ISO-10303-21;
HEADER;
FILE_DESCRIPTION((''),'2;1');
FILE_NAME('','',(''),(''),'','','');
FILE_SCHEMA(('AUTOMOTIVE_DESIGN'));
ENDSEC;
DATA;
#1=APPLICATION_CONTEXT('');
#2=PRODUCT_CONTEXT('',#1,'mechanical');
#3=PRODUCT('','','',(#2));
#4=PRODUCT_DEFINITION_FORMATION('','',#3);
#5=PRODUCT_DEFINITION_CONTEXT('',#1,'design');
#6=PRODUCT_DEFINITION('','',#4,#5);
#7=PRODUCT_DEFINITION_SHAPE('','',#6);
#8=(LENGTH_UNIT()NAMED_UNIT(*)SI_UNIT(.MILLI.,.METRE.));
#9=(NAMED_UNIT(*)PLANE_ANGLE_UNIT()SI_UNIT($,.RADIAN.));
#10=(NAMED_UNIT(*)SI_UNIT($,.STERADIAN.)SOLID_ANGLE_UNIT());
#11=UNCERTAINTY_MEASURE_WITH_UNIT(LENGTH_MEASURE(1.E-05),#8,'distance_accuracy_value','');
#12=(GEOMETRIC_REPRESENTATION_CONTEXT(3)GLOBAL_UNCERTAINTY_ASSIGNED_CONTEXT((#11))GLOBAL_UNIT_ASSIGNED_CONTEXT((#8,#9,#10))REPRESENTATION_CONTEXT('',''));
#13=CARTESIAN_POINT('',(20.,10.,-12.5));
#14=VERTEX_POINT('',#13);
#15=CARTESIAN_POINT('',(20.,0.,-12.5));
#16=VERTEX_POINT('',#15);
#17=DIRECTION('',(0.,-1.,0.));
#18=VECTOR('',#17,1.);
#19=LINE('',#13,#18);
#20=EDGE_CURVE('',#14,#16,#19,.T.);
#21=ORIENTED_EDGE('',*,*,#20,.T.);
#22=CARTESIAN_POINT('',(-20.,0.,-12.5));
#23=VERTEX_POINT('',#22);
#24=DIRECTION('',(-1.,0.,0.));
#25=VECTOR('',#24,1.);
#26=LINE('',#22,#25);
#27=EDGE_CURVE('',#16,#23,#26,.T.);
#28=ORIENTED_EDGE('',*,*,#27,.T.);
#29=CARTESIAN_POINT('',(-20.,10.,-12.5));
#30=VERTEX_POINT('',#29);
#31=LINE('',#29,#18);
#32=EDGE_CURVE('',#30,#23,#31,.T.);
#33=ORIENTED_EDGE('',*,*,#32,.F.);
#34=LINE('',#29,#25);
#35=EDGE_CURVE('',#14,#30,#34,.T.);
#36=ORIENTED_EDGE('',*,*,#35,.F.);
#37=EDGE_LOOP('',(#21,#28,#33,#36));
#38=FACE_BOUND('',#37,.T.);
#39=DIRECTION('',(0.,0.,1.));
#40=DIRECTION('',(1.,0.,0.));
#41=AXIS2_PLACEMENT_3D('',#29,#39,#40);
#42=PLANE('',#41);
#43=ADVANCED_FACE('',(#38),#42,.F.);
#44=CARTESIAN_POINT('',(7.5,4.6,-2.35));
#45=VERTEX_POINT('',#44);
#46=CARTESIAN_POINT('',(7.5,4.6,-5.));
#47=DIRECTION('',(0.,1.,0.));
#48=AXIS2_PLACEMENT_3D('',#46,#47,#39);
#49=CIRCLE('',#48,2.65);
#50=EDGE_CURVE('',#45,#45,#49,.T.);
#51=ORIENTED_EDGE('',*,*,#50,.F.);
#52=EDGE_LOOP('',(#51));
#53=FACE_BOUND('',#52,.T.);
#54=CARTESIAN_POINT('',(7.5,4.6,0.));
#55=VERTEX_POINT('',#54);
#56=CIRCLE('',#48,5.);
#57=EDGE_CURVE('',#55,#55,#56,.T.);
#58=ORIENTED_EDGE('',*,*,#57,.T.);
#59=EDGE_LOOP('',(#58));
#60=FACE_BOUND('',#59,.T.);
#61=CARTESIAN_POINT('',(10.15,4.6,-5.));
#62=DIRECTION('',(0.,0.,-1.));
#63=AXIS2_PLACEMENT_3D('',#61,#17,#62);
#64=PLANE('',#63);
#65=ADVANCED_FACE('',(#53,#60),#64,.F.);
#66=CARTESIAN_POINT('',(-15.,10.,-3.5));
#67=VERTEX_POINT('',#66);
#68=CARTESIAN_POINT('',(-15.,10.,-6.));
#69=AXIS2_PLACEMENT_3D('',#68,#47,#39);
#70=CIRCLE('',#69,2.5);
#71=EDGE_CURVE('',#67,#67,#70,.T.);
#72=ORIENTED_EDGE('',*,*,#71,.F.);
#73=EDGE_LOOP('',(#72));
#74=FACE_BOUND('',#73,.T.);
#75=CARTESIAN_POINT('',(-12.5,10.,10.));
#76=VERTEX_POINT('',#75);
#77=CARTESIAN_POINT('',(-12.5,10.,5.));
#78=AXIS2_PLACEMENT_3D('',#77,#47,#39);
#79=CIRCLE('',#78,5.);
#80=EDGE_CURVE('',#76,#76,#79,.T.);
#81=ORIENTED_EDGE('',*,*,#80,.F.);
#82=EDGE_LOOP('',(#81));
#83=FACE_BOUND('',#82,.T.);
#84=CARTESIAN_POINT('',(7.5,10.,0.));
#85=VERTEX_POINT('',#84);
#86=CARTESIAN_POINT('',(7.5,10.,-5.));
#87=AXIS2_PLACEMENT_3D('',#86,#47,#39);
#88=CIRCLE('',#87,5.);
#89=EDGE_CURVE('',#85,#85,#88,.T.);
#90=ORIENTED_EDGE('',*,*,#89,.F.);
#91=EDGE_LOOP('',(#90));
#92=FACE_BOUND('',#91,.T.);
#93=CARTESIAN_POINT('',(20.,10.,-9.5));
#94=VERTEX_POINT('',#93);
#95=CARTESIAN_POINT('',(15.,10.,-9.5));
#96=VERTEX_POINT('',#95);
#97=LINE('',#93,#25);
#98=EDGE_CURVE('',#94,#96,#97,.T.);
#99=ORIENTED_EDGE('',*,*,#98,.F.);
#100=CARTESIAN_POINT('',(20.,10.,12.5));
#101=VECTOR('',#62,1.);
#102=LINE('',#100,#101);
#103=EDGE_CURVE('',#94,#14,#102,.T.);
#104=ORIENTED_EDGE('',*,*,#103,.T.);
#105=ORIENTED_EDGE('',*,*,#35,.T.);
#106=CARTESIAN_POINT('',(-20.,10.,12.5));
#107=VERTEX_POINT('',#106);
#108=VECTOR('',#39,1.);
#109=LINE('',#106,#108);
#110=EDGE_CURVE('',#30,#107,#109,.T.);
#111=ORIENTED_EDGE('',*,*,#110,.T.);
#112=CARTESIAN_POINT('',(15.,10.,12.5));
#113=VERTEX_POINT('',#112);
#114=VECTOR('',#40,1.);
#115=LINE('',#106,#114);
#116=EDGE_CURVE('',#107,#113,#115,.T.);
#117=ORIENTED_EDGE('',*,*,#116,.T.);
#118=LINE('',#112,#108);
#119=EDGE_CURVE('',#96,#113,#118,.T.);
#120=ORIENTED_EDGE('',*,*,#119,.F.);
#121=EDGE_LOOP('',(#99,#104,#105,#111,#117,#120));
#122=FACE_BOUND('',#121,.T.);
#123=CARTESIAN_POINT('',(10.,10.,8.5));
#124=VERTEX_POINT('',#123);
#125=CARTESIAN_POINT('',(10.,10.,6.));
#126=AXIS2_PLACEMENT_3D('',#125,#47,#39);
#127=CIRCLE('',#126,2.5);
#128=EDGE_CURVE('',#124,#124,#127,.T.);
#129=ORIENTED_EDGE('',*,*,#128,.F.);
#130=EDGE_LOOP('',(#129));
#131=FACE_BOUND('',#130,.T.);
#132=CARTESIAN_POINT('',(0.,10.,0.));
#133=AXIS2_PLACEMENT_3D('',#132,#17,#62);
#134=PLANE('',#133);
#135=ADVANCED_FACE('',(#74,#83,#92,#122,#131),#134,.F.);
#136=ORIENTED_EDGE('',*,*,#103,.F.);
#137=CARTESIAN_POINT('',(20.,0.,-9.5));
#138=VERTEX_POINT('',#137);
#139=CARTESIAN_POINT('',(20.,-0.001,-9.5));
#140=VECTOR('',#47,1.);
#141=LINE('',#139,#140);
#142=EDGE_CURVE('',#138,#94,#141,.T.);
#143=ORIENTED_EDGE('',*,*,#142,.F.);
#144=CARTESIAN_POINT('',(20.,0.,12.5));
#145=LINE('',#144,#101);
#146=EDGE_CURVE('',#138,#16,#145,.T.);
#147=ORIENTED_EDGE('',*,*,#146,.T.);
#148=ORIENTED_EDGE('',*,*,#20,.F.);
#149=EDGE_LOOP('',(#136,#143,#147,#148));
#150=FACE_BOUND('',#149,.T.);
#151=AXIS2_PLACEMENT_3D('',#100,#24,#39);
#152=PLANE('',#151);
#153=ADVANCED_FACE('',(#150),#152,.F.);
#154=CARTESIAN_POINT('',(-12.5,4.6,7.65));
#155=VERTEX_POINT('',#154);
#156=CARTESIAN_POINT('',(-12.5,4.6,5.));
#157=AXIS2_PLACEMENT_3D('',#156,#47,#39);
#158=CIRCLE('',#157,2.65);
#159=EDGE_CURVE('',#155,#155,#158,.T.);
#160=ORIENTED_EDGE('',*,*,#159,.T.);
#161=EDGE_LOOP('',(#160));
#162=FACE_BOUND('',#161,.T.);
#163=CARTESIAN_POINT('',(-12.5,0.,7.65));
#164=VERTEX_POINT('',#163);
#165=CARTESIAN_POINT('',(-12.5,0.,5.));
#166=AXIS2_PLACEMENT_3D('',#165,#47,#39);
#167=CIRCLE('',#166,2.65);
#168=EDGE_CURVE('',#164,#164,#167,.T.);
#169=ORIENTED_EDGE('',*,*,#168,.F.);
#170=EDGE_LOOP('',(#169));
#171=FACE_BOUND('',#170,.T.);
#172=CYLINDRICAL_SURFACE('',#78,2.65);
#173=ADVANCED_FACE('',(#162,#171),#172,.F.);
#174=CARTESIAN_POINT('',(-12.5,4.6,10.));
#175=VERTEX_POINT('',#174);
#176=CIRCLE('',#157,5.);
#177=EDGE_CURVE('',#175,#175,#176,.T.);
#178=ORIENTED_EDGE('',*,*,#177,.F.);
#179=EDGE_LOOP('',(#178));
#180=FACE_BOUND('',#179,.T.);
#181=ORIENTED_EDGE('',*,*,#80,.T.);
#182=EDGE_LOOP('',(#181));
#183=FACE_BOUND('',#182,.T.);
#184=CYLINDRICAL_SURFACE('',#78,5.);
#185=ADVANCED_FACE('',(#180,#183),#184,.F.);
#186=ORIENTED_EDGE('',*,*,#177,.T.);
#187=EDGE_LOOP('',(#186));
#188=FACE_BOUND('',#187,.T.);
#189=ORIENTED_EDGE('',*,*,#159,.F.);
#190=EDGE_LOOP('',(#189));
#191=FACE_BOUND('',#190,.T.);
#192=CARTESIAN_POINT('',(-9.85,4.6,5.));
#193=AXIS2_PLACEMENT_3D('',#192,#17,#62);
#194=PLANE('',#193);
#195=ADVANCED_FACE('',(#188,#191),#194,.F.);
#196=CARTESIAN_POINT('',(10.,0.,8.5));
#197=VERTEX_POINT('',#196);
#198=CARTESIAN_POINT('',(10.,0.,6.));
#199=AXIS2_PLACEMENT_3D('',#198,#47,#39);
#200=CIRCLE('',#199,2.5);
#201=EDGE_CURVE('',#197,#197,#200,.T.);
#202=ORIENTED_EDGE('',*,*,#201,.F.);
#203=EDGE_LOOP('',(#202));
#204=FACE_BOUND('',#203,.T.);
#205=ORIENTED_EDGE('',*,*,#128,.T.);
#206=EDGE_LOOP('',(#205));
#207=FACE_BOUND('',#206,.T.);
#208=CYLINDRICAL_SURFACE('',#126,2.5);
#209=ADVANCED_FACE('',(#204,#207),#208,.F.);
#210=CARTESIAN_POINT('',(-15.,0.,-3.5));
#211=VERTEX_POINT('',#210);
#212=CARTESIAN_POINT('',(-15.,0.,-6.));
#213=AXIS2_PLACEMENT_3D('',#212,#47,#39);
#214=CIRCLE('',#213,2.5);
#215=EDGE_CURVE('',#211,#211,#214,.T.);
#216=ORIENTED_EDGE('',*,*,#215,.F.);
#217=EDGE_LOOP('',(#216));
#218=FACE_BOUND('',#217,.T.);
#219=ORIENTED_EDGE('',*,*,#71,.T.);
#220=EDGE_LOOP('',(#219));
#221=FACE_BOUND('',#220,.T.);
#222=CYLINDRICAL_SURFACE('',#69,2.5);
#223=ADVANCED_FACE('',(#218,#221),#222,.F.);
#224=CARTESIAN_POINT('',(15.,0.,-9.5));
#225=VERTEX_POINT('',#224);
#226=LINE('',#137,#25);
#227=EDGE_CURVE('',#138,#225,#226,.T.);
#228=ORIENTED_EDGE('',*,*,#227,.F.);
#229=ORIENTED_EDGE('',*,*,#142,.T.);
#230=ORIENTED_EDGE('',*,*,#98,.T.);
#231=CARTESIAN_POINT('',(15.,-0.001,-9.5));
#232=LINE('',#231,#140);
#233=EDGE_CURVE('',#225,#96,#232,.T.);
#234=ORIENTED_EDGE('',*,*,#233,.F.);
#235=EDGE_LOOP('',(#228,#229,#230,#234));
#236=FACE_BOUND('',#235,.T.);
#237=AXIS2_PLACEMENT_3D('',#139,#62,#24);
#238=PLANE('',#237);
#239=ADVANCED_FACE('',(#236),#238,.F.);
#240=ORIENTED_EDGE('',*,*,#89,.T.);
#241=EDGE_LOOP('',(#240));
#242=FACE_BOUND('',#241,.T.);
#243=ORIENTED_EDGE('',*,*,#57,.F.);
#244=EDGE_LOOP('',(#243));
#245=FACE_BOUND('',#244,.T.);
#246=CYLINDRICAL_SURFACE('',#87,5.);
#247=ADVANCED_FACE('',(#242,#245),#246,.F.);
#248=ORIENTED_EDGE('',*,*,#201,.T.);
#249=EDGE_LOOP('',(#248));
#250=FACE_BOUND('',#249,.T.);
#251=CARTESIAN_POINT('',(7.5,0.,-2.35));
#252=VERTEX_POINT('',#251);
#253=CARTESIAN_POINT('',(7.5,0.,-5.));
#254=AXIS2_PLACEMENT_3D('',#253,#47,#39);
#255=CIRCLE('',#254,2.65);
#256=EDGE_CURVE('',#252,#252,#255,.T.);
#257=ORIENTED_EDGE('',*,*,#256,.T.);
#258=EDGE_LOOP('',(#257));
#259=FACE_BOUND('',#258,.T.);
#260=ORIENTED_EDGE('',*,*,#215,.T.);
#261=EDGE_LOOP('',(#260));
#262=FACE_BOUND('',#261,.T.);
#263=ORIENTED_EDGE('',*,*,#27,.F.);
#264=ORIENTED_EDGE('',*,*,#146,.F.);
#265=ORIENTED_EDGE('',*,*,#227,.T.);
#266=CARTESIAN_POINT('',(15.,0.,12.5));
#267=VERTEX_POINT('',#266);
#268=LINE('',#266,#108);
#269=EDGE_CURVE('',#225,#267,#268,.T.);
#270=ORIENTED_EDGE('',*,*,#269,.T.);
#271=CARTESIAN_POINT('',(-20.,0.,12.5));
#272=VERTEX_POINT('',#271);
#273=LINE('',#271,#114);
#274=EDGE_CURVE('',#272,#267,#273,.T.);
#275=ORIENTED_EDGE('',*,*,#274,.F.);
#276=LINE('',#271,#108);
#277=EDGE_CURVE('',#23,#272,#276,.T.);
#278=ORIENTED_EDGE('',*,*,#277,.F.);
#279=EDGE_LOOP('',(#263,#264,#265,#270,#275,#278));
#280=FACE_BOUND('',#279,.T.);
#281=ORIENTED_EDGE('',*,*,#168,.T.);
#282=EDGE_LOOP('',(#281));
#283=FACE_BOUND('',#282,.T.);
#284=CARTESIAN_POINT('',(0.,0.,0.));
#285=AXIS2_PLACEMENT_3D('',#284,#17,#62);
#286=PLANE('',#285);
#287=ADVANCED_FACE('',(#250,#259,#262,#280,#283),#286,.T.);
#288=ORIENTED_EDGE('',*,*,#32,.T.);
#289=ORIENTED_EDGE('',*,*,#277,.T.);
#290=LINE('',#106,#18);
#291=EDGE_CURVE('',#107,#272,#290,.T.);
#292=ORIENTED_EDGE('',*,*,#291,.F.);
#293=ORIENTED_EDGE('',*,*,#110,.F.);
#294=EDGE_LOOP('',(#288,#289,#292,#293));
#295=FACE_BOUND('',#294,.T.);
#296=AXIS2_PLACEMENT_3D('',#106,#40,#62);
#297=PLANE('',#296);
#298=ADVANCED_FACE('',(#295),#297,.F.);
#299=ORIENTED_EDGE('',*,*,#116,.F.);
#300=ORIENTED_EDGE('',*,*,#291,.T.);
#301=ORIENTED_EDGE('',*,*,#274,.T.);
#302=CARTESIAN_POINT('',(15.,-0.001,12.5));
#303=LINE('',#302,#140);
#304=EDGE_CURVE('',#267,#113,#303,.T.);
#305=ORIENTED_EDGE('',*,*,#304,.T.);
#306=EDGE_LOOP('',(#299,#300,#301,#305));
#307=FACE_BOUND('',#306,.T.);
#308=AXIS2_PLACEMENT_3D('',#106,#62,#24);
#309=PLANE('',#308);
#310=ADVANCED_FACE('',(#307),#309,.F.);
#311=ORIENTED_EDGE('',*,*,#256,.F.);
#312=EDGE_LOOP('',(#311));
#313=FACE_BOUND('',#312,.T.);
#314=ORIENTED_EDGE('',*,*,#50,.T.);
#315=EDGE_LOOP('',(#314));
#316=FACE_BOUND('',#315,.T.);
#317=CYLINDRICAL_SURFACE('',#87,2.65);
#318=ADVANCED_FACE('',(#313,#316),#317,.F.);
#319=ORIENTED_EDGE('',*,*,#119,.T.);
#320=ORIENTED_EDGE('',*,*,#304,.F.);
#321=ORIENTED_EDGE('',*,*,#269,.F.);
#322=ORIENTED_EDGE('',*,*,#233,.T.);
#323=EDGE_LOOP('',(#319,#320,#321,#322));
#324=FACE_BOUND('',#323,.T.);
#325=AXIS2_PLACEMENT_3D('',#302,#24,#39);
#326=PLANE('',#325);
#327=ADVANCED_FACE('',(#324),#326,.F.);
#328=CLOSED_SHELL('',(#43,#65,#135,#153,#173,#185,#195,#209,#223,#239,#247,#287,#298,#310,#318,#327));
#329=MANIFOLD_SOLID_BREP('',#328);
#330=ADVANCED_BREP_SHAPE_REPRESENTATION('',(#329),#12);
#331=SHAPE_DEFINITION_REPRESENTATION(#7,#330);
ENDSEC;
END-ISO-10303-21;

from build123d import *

# Parameters (mm, degrees)
SKETCH1_W                                           = 40
SKETCH1_H                                           = 25
BOSS_EXTRUDE1_DEPTH                                 = 10
CUT_EXTRUDE2_REACH                                  = 27.617
SKETCH3_W                                           = 5
SKETCH3_H                                           = 22
F_5_0MM_DOWEL_HOLE1_D                               = 5
CBORE_FOR_M5_HEX_SOCKET_HEAD_CAP_SCREW1_D           = 5.3
CBORE_FOR_M5_HEX_SOCKET_HEAD_CAP_SCREW1_CBORE_D     = 10
CBORE_FOR_M5_HEX_SOCKET_HEAD_CAP_SCREW1_CBORE_DEPTH = 5.4


with BuildPart() as part:
    # Sketch1 → Boss-Extrude1 (new body)
    with BuildSketch(Plane(origin=(0, 0, 0), x_dir=(1, 0, 0), z_dir=(0, 1, 0))):
        Rectangle(SKETCH1_W, SKETCH1_H)
    extrude(amount=BOSS_EXTRUDE1_DEPTH)

    # Sketch3 → Cut-Extrude2 (cut, up to next)
    with BuildSketch(Plane(origin=(0, 10, 0), x_dir=(1, 0, 0), z_dir=(0, 1, 0)), mode=Mode.PRIVATE) as cut_extrude2_sk1:
        with Locations((17.5, -1.5)):
            Rectangle(SKETCH3_W, SKETCH3_H)
    cut_extrude2_tool1 = extrude(cut_extrude2_sk1.sketch, amount=-CUT_EXTRUDE2_REACH, mode=Mode.PRIVATE) & part.part
    add(cut_extrude2_tool1.solids().sort_by_distance((17.5, 10, 1.5))[0], mode=Mode.SUBTRACT)

    # Ø5.0mm Dowel Hole1 (through all)
    with Locations(Plane(origin=(0, 10, 0), x_dir=(1, 0, 0), z_dir=(0, 1, 0))):
        with Locations((-15, 6), (10, -6)):
            Hole(F_5_0MM_DOWEL_HOLE1_D / 2)

    # CBORE for M5 Hex Socket Head Cap Screw1 (through all)
    with Locations(Plane(origin=(0, 10, 0), x_dir=(1, 0, 0), z_dir=(0, 1, 0))):
        with Locations((-12.5, -5), (7.5, 5)):
            CounterBoreHole(CBORE_FOR_M5_HEX_SOCKET_HEAD_CAP_SCREW1_D / 2, CBORE_FOR_M5_HEX_SOCKET_HEAD_CAP_SCREW1_CBORE_D / 2, CBORE_FOR_M5_HEX_SOCKET_HEAD_CAP_SCREW1_CBORE_DEPTH)


solid = part.part
